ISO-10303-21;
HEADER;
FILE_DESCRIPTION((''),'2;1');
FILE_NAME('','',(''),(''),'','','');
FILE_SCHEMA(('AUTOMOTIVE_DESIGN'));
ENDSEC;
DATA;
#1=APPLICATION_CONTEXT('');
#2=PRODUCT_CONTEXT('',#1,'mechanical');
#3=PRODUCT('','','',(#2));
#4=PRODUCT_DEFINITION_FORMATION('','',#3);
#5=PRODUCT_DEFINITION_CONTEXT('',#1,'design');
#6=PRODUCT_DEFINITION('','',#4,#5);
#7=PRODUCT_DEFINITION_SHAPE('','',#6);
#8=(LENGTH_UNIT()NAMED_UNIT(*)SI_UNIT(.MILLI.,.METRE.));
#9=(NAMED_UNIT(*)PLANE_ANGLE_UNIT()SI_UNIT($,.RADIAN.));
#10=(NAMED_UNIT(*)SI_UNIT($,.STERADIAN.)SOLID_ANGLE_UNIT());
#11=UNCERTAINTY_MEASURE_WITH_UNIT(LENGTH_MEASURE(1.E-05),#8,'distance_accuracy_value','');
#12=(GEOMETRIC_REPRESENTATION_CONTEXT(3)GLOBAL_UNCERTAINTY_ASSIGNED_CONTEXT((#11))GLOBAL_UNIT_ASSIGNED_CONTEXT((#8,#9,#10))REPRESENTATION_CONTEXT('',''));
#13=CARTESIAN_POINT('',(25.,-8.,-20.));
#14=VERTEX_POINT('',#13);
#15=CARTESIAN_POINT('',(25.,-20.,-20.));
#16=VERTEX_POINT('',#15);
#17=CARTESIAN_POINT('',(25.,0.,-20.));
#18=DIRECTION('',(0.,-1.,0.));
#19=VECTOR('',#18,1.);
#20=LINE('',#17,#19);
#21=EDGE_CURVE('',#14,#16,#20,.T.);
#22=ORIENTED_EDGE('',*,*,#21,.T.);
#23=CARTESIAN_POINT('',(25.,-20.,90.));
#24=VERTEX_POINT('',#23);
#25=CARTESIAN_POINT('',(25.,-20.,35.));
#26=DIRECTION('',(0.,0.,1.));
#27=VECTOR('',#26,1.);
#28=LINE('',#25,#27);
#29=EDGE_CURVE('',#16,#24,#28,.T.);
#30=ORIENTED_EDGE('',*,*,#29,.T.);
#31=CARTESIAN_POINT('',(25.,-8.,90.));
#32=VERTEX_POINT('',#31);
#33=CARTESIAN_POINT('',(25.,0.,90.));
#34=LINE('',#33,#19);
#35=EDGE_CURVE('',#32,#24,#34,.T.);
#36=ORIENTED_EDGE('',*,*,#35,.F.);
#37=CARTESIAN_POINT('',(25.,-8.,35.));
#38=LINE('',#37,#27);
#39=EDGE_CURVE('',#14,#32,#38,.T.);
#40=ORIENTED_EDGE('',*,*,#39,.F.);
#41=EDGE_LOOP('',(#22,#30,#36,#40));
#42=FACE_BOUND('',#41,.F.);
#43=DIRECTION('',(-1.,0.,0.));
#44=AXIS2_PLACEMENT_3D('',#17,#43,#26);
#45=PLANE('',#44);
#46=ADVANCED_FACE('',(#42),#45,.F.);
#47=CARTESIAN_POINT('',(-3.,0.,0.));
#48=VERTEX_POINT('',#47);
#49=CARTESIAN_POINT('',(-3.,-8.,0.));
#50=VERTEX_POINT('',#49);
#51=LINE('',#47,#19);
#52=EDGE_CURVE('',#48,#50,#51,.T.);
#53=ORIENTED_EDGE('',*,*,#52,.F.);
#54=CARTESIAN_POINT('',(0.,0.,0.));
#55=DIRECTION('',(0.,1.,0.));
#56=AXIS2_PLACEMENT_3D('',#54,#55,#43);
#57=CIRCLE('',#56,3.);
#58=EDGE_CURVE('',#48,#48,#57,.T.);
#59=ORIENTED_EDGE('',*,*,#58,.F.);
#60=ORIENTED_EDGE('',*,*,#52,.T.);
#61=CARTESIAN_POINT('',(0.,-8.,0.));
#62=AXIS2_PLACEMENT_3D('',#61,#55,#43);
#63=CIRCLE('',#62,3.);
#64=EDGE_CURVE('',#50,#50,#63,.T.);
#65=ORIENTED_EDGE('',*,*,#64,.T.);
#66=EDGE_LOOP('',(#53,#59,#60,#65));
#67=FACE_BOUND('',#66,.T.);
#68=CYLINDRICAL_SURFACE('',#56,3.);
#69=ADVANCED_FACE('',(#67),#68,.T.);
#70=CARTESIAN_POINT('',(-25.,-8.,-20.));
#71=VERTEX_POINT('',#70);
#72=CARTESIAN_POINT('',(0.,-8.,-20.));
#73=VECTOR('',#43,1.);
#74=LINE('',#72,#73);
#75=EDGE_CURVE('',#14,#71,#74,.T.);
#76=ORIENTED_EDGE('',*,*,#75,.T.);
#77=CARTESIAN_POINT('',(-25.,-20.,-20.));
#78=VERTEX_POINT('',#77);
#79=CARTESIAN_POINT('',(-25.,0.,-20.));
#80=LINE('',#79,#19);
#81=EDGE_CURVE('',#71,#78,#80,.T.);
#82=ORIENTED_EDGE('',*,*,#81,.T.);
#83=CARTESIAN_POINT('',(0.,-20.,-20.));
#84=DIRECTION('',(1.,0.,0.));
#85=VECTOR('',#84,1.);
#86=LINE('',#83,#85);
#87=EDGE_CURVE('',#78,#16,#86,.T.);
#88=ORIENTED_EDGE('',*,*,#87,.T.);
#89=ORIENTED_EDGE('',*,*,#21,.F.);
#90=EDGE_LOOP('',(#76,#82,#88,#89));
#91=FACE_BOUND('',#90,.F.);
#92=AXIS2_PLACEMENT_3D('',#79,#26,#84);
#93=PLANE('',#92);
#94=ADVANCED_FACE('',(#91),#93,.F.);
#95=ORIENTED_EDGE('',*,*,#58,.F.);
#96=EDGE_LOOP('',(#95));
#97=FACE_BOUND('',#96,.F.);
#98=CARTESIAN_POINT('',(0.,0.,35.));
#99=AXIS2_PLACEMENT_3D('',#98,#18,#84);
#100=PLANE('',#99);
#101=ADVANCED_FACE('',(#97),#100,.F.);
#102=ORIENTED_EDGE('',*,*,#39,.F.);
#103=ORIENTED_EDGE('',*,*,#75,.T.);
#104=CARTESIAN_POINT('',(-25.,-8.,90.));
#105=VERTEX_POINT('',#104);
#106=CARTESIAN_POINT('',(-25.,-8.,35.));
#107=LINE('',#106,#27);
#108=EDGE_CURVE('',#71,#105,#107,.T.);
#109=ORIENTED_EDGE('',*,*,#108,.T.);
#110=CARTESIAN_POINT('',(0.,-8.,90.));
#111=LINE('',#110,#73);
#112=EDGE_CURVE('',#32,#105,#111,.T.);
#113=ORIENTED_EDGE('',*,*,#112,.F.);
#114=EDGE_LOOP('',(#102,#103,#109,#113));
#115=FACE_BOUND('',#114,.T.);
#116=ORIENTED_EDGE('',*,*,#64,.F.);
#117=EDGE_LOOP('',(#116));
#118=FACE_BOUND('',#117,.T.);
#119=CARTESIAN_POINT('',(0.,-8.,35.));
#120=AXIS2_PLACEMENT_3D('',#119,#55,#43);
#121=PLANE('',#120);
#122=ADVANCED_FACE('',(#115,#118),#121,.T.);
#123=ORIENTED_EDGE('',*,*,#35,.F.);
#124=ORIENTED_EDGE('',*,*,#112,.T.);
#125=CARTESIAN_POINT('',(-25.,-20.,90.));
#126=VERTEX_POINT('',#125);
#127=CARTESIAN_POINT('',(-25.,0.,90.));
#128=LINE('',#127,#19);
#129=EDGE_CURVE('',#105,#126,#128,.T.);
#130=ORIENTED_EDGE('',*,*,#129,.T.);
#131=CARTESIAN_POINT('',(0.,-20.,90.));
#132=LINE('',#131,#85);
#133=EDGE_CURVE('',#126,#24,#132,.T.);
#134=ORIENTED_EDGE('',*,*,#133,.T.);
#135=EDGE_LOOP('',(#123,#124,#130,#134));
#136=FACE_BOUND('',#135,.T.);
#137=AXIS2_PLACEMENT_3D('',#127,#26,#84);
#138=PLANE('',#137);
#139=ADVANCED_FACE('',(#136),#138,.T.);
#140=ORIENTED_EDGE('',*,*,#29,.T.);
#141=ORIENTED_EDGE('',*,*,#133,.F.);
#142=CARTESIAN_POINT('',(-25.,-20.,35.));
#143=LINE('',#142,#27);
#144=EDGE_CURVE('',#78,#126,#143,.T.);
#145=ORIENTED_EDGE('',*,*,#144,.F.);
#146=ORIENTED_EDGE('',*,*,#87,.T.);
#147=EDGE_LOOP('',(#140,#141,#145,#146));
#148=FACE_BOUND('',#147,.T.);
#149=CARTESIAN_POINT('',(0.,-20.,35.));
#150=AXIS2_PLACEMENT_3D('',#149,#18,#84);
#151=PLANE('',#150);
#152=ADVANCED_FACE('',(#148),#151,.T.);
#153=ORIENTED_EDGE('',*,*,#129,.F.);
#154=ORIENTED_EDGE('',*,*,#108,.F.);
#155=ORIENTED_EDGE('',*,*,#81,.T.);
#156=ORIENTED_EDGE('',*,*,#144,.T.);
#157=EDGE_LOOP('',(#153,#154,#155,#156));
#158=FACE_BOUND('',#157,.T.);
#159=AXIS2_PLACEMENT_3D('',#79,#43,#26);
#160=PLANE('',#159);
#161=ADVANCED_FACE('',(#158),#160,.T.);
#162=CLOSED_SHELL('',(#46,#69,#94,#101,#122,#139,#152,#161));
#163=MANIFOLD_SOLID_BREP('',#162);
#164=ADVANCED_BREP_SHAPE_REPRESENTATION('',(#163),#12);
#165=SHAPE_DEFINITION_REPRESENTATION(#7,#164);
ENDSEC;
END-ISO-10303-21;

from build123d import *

# Parameters (mm, degrees)
F0_W     = 50
F0_H     = 110
F1_DEPTH = 20
F2_W     = 50
F2_H     = 110
F2_R     = 3
F3_DEPTH = 8


with BuildPart() as f1:
    # F0 (on Front) → F1 (new body)
    with BuildSketch(Plane.XZ):
        with Locations((0, 35)):
            Rectangle(F0_W, F0_H)
    extrude(amount=F1_DEPTH)

    # F2 (on face) → F3 (cut)
    with BuildSketch(Plane(origin=(0, 0, 0), x_dir=(-1, 0, 0), z_dir=(0, 1, 0))):
        with Locations((0, 35)):
            Rectangle(F2_W, F2_H)
        Circle(F2_R, mode=Mode.SUBTRACT)
    extrude(amount=-F3_DEPTH, mode=Mode.SUBTRACT)


solid = f1.part
